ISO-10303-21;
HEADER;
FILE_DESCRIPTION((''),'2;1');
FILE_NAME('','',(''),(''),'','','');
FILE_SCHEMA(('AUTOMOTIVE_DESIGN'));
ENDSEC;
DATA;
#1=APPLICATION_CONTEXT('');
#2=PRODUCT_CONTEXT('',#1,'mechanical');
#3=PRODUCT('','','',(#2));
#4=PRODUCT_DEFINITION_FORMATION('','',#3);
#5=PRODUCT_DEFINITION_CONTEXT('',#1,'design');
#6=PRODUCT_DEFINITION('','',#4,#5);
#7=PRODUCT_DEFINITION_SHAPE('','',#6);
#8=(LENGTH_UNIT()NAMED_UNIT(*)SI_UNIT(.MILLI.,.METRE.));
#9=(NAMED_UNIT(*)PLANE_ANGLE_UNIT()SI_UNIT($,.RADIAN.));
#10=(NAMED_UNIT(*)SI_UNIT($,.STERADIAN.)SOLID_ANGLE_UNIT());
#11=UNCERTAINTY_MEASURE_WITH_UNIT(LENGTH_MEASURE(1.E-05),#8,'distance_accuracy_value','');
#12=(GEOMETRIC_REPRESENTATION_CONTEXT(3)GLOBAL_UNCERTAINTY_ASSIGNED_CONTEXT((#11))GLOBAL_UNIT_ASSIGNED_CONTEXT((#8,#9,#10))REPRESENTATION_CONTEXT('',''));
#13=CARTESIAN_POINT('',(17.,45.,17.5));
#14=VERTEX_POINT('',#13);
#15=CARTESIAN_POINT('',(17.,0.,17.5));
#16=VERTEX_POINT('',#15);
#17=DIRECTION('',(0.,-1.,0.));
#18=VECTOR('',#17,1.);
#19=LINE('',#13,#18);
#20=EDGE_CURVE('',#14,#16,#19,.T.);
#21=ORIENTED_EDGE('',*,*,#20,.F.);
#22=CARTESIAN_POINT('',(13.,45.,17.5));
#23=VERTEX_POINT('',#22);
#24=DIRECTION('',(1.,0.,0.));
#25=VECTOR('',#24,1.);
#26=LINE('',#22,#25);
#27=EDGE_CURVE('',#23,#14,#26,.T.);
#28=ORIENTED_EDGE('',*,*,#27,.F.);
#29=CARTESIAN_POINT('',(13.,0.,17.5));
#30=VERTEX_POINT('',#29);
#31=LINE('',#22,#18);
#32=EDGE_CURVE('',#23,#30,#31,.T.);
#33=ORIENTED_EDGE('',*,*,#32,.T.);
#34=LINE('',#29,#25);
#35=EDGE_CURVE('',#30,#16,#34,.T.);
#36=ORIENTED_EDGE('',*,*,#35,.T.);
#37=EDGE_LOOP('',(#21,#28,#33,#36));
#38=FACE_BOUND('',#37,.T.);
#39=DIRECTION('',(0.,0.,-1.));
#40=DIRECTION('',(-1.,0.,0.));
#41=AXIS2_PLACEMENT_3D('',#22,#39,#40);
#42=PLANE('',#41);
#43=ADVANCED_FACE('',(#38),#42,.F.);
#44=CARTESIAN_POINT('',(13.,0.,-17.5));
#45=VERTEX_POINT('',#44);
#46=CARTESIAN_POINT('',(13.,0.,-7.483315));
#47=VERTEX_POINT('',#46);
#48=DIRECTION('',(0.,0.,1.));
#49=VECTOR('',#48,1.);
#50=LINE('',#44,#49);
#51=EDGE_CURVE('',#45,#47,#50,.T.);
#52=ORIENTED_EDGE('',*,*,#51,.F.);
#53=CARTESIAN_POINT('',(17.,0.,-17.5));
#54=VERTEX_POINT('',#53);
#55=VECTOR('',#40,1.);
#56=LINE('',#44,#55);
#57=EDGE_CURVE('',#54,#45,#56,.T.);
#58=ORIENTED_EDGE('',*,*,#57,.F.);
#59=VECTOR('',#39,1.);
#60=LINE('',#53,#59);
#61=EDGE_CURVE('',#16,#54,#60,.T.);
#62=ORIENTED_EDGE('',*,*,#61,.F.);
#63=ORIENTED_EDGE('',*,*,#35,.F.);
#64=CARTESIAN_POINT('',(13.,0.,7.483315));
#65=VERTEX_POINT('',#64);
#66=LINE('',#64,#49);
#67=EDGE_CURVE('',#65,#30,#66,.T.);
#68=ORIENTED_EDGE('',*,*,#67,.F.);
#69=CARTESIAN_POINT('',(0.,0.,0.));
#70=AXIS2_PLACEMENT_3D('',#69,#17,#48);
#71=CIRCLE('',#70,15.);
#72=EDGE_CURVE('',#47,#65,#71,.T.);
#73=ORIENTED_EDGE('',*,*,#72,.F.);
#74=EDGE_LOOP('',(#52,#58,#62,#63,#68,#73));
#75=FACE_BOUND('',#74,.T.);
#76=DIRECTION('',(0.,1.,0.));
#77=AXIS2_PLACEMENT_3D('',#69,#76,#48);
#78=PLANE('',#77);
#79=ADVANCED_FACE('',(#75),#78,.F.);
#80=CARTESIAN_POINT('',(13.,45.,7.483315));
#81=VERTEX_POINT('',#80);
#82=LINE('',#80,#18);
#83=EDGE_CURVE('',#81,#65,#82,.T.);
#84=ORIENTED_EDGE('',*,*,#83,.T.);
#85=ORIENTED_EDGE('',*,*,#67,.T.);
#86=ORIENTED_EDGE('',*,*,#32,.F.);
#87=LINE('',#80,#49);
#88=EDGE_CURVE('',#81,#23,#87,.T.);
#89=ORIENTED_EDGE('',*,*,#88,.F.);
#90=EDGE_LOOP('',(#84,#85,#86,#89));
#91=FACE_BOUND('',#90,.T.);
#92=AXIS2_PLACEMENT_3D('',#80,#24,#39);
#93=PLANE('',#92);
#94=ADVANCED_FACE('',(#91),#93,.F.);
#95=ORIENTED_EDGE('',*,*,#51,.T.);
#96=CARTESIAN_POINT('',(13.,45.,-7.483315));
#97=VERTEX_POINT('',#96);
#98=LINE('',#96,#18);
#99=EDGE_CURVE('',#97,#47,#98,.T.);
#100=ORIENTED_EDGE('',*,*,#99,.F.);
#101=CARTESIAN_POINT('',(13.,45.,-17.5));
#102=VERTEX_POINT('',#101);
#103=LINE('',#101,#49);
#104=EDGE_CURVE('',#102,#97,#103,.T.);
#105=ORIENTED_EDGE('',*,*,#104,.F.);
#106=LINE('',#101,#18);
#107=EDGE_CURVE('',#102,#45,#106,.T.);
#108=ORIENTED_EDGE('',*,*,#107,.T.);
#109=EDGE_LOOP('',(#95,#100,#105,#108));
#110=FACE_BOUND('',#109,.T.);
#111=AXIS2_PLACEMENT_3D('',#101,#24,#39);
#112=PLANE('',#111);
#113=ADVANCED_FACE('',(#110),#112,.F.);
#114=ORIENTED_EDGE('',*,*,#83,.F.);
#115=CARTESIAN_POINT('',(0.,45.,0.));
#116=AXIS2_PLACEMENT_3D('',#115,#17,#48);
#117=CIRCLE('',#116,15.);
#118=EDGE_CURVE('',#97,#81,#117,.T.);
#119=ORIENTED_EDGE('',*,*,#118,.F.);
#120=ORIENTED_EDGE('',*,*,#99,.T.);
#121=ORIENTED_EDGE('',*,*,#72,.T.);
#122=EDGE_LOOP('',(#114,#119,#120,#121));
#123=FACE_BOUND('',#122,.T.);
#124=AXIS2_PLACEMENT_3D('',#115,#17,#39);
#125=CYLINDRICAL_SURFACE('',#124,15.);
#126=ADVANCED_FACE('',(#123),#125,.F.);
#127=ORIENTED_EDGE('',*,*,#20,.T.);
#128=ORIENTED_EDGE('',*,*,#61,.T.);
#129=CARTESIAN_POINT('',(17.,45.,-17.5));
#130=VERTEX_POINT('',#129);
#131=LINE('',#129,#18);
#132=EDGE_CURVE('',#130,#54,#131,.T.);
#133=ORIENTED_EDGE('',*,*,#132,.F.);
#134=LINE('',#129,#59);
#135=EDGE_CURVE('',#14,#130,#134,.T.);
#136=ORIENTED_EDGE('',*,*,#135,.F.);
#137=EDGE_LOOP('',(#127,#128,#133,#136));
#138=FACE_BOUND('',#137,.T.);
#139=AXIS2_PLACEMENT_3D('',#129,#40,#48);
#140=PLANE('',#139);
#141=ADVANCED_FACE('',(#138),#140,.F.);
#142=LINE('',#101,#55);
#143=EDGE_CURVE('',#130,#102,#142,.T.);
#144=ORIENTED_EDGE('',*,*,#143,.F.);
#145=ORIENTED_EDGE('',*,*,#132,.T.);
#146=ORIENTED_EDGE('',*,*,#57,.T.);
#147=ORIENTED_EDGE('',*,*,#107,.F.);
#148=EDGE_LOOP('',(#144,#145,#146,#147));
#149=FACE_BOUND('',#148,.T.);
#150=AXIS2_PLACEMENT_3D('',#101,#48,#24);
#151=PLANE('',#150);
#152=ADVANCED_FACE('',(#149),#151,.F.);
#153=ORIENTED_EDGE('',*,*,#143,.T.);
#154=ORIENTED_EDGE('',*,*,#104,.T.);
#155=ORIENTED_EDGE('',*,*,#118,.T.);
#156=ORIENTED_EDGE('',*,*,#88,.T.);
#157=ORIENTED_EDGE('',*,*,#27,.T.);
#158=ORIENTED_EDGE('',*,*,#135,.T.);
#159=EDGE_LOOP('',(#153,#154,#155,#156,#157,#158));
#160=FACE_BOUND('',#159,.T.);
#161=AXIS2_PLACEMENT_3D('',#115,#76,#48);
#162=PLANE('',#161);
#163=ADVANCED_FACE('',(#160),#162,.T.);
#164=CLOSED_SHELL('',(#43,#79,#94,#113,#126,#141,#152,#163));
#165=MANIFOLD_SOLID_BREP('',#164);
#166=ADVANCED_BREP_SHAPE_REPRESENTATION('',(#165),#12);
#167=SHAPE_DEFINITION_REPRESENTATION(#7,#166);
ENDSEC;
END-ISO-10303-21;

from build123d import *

# Parameters (mm, degrees)
SALIENTE_EXTRUIR1_DEPTH = 45


with BuildPart() as part:
    # Croquis1 → Saliente-Extruir1 (new body)
    with BuildSketch(Plane(origin=(0, 0, 0), x_dir=(1, 0, 0), z_dir=(0, 1, 0))):
        with BuildLine():
            Line((13, 17.5), (13, 7.483314774))
            ThreePointArc((13, 7.483314774), (15, 0), (13, -7.483314774))
            Line((13, -7.483314774), (13, -17.5))
            Line((13, -17.5), (17, -17.5))
            Line((17, -17.5), (17, 17.5))
            Line((17, 17.5), (13, 17.5))
        make_face()
    extrude(amount=SALIENTE_EXTRUIR1_DEPTH)


solid = part.part
